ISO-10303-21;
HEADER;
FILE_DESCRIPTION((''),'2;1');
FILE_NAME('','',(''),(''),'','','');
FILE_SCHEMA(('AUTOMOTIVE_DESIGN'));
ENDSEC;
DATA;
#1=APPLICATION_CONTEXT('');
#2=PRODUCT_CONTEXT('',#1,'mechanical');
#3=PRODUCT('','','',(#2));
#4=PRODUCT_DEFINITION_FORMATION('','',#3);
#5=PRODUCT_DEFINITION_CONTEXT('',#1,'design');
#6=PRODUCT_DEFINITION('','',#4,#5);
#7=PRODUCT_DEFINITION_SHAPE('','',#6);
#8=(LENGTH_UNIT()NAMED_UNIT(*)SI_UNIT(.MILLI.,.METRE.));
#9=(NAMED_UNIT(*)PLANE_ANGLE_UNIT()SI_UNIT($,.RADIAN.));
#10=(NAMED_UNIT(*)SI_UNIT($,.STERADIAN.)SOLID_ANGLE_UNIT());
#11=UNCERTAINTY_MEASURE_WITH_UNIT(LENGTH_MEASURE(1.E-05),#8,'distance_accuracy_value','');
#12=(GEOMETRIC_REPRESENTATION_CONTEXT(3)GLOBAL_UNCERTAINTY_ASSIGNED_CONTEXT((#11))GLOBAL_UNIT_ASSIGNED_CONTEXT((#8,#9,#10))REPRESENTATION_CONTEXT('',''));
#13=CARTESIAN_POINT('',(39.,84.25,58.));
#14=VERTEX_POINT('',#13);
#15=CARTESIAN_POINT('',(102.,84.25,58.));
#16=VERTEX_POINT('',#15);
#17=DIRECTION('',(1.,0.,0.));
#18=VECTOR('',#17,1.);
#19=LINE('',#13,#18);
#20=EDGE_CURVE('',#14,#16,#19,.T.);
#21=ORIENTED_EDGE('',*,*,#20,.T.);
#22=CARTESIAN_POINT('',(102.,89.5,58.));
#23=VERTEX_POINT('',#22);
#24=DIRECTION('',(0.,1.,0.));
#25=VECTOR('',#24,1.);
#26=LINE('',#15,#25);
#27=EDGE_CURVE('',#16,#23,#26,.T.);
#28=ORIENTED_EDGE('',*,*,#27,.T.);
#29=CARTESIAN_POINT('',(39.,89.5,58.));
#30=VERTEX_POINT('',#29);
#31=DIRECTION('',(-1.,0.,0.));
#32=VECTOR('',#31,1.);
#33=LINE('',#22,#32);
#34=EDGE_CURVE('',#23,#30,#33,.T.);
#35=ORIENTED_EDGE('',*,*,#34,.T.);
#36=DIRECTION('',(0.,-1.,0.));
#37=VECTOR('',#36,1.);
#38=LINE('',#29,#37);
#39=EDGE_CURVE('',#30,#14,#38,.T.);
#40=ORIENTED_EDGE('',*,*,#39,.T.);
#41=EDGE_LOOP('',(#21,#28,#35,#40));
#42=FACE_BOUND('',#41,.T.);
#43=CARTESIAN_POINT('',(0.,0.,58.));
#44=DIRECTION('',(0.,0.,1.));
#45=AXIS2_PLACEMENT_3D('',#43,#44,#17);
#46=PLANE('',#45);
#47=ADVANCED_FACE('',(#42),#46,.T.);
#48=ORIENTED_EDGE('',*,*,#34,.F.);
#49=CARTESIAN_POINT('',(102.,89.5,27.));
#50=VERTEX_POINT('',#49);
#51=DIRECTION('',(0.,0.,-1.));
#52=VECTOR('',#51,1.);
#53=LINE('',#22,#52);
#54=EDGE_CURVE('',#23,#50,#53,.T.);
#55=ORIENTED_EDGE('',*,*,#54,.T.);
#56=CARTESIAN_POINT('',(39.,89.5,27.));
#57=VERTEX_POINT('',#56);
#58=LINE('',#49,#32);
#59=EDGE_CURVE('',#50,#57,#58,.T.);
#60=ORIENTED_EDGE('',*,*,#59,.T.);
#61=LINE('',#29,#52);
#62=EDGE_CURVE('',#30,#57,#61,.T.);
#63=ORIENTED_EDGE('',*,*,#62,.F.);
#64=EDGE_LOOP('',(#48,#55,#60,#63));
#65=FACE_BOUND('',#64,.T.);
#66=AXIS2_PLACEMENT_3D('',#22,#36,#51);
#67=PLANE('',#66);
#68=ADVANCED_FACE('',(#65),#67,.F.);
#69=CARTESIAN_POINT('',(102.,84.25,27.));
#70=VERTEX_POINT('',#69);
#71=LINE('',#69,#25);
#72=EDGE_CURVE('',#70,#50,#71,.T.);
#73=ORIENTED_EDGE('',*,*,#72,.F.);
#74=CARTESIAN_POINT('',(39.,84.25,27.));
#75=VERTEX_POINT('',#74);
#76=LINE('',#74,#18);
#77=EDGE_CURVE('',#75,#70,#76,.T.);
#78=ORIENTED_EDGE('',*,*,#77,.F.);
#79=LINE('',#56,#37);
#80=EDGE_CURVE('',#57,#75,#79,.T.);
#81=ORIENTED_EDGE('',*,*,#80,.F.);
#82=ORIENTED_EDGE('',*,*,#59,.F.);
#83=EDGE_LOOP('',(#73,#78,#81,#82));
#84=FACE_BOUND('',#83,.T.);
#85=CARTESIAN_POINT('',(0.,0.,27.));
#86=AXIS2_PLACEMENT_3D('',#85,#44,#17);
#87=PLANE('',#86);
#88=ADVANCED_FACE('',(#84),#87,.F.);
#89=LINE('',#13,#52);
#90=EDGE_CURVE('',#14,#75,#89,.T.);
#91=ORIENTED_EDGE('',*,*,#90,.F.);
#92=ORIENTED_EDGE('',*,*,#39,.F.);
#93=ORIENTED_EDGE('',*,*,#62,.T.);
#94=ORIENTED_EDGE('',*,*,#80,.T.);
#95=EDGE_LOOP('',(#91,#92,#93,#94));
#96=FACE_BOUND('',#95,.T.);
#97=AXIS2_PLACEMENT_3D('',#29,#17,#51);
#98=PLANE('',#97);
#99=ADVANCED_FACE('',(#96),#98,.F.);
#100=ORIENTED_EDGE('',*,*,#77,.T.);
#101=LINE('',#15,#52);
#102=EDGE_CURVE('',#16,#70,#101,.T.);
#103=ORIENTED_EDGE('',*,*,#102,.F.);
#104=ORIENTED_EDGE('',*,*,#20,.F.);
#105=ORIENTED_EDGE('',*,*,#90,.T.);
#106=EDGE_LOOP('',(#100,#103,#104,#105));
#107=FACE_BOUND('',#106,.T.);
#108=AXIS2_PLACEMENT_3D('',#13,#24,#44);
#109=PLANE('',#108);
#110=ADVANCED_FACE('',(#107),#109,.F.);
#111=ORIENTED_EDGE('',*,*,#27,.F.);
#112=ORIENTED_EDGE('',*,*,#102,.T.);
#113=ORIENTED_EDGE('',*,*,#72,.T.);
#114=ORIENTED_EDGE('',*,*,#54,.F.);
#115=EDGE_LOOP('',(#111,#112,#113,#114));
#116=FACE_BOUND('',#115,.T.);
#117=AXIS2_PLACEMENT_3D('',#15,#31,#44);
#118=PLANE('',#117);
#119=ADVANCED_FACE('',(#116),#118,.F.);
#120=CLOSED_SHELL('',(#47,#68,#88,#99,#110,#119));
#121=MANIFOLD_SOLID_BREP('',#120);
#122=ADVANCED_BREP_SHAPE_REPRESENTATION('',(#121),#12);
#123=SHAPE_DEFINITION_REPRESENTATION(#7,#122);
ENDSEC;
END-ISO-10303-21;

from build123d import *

# Parameters (mm, degrees)
REPLACEABLE_START                         = 27
SKETCH1_W                                 = 63
SKETCH1_H                                 = 5.25
REPLACEABLE_CROSSHEAD_BEARING_STRIP_DEPTH = 31


with BuildPart() as part:
    # Sketch1 → Replaceable crosshead bearing strip (new body)
    with BuildSketch(Plane.XY.offset(REPLACEABLE_START)):
        with Locations((70.5, 86.875)):
            Rectangle(SKETCH1_W, SKETCH1_H)
    extrude(amount=REPLACEABLE_CROSSHEAD_BEARING_STRIP_DEPTH)


solid = part.part
